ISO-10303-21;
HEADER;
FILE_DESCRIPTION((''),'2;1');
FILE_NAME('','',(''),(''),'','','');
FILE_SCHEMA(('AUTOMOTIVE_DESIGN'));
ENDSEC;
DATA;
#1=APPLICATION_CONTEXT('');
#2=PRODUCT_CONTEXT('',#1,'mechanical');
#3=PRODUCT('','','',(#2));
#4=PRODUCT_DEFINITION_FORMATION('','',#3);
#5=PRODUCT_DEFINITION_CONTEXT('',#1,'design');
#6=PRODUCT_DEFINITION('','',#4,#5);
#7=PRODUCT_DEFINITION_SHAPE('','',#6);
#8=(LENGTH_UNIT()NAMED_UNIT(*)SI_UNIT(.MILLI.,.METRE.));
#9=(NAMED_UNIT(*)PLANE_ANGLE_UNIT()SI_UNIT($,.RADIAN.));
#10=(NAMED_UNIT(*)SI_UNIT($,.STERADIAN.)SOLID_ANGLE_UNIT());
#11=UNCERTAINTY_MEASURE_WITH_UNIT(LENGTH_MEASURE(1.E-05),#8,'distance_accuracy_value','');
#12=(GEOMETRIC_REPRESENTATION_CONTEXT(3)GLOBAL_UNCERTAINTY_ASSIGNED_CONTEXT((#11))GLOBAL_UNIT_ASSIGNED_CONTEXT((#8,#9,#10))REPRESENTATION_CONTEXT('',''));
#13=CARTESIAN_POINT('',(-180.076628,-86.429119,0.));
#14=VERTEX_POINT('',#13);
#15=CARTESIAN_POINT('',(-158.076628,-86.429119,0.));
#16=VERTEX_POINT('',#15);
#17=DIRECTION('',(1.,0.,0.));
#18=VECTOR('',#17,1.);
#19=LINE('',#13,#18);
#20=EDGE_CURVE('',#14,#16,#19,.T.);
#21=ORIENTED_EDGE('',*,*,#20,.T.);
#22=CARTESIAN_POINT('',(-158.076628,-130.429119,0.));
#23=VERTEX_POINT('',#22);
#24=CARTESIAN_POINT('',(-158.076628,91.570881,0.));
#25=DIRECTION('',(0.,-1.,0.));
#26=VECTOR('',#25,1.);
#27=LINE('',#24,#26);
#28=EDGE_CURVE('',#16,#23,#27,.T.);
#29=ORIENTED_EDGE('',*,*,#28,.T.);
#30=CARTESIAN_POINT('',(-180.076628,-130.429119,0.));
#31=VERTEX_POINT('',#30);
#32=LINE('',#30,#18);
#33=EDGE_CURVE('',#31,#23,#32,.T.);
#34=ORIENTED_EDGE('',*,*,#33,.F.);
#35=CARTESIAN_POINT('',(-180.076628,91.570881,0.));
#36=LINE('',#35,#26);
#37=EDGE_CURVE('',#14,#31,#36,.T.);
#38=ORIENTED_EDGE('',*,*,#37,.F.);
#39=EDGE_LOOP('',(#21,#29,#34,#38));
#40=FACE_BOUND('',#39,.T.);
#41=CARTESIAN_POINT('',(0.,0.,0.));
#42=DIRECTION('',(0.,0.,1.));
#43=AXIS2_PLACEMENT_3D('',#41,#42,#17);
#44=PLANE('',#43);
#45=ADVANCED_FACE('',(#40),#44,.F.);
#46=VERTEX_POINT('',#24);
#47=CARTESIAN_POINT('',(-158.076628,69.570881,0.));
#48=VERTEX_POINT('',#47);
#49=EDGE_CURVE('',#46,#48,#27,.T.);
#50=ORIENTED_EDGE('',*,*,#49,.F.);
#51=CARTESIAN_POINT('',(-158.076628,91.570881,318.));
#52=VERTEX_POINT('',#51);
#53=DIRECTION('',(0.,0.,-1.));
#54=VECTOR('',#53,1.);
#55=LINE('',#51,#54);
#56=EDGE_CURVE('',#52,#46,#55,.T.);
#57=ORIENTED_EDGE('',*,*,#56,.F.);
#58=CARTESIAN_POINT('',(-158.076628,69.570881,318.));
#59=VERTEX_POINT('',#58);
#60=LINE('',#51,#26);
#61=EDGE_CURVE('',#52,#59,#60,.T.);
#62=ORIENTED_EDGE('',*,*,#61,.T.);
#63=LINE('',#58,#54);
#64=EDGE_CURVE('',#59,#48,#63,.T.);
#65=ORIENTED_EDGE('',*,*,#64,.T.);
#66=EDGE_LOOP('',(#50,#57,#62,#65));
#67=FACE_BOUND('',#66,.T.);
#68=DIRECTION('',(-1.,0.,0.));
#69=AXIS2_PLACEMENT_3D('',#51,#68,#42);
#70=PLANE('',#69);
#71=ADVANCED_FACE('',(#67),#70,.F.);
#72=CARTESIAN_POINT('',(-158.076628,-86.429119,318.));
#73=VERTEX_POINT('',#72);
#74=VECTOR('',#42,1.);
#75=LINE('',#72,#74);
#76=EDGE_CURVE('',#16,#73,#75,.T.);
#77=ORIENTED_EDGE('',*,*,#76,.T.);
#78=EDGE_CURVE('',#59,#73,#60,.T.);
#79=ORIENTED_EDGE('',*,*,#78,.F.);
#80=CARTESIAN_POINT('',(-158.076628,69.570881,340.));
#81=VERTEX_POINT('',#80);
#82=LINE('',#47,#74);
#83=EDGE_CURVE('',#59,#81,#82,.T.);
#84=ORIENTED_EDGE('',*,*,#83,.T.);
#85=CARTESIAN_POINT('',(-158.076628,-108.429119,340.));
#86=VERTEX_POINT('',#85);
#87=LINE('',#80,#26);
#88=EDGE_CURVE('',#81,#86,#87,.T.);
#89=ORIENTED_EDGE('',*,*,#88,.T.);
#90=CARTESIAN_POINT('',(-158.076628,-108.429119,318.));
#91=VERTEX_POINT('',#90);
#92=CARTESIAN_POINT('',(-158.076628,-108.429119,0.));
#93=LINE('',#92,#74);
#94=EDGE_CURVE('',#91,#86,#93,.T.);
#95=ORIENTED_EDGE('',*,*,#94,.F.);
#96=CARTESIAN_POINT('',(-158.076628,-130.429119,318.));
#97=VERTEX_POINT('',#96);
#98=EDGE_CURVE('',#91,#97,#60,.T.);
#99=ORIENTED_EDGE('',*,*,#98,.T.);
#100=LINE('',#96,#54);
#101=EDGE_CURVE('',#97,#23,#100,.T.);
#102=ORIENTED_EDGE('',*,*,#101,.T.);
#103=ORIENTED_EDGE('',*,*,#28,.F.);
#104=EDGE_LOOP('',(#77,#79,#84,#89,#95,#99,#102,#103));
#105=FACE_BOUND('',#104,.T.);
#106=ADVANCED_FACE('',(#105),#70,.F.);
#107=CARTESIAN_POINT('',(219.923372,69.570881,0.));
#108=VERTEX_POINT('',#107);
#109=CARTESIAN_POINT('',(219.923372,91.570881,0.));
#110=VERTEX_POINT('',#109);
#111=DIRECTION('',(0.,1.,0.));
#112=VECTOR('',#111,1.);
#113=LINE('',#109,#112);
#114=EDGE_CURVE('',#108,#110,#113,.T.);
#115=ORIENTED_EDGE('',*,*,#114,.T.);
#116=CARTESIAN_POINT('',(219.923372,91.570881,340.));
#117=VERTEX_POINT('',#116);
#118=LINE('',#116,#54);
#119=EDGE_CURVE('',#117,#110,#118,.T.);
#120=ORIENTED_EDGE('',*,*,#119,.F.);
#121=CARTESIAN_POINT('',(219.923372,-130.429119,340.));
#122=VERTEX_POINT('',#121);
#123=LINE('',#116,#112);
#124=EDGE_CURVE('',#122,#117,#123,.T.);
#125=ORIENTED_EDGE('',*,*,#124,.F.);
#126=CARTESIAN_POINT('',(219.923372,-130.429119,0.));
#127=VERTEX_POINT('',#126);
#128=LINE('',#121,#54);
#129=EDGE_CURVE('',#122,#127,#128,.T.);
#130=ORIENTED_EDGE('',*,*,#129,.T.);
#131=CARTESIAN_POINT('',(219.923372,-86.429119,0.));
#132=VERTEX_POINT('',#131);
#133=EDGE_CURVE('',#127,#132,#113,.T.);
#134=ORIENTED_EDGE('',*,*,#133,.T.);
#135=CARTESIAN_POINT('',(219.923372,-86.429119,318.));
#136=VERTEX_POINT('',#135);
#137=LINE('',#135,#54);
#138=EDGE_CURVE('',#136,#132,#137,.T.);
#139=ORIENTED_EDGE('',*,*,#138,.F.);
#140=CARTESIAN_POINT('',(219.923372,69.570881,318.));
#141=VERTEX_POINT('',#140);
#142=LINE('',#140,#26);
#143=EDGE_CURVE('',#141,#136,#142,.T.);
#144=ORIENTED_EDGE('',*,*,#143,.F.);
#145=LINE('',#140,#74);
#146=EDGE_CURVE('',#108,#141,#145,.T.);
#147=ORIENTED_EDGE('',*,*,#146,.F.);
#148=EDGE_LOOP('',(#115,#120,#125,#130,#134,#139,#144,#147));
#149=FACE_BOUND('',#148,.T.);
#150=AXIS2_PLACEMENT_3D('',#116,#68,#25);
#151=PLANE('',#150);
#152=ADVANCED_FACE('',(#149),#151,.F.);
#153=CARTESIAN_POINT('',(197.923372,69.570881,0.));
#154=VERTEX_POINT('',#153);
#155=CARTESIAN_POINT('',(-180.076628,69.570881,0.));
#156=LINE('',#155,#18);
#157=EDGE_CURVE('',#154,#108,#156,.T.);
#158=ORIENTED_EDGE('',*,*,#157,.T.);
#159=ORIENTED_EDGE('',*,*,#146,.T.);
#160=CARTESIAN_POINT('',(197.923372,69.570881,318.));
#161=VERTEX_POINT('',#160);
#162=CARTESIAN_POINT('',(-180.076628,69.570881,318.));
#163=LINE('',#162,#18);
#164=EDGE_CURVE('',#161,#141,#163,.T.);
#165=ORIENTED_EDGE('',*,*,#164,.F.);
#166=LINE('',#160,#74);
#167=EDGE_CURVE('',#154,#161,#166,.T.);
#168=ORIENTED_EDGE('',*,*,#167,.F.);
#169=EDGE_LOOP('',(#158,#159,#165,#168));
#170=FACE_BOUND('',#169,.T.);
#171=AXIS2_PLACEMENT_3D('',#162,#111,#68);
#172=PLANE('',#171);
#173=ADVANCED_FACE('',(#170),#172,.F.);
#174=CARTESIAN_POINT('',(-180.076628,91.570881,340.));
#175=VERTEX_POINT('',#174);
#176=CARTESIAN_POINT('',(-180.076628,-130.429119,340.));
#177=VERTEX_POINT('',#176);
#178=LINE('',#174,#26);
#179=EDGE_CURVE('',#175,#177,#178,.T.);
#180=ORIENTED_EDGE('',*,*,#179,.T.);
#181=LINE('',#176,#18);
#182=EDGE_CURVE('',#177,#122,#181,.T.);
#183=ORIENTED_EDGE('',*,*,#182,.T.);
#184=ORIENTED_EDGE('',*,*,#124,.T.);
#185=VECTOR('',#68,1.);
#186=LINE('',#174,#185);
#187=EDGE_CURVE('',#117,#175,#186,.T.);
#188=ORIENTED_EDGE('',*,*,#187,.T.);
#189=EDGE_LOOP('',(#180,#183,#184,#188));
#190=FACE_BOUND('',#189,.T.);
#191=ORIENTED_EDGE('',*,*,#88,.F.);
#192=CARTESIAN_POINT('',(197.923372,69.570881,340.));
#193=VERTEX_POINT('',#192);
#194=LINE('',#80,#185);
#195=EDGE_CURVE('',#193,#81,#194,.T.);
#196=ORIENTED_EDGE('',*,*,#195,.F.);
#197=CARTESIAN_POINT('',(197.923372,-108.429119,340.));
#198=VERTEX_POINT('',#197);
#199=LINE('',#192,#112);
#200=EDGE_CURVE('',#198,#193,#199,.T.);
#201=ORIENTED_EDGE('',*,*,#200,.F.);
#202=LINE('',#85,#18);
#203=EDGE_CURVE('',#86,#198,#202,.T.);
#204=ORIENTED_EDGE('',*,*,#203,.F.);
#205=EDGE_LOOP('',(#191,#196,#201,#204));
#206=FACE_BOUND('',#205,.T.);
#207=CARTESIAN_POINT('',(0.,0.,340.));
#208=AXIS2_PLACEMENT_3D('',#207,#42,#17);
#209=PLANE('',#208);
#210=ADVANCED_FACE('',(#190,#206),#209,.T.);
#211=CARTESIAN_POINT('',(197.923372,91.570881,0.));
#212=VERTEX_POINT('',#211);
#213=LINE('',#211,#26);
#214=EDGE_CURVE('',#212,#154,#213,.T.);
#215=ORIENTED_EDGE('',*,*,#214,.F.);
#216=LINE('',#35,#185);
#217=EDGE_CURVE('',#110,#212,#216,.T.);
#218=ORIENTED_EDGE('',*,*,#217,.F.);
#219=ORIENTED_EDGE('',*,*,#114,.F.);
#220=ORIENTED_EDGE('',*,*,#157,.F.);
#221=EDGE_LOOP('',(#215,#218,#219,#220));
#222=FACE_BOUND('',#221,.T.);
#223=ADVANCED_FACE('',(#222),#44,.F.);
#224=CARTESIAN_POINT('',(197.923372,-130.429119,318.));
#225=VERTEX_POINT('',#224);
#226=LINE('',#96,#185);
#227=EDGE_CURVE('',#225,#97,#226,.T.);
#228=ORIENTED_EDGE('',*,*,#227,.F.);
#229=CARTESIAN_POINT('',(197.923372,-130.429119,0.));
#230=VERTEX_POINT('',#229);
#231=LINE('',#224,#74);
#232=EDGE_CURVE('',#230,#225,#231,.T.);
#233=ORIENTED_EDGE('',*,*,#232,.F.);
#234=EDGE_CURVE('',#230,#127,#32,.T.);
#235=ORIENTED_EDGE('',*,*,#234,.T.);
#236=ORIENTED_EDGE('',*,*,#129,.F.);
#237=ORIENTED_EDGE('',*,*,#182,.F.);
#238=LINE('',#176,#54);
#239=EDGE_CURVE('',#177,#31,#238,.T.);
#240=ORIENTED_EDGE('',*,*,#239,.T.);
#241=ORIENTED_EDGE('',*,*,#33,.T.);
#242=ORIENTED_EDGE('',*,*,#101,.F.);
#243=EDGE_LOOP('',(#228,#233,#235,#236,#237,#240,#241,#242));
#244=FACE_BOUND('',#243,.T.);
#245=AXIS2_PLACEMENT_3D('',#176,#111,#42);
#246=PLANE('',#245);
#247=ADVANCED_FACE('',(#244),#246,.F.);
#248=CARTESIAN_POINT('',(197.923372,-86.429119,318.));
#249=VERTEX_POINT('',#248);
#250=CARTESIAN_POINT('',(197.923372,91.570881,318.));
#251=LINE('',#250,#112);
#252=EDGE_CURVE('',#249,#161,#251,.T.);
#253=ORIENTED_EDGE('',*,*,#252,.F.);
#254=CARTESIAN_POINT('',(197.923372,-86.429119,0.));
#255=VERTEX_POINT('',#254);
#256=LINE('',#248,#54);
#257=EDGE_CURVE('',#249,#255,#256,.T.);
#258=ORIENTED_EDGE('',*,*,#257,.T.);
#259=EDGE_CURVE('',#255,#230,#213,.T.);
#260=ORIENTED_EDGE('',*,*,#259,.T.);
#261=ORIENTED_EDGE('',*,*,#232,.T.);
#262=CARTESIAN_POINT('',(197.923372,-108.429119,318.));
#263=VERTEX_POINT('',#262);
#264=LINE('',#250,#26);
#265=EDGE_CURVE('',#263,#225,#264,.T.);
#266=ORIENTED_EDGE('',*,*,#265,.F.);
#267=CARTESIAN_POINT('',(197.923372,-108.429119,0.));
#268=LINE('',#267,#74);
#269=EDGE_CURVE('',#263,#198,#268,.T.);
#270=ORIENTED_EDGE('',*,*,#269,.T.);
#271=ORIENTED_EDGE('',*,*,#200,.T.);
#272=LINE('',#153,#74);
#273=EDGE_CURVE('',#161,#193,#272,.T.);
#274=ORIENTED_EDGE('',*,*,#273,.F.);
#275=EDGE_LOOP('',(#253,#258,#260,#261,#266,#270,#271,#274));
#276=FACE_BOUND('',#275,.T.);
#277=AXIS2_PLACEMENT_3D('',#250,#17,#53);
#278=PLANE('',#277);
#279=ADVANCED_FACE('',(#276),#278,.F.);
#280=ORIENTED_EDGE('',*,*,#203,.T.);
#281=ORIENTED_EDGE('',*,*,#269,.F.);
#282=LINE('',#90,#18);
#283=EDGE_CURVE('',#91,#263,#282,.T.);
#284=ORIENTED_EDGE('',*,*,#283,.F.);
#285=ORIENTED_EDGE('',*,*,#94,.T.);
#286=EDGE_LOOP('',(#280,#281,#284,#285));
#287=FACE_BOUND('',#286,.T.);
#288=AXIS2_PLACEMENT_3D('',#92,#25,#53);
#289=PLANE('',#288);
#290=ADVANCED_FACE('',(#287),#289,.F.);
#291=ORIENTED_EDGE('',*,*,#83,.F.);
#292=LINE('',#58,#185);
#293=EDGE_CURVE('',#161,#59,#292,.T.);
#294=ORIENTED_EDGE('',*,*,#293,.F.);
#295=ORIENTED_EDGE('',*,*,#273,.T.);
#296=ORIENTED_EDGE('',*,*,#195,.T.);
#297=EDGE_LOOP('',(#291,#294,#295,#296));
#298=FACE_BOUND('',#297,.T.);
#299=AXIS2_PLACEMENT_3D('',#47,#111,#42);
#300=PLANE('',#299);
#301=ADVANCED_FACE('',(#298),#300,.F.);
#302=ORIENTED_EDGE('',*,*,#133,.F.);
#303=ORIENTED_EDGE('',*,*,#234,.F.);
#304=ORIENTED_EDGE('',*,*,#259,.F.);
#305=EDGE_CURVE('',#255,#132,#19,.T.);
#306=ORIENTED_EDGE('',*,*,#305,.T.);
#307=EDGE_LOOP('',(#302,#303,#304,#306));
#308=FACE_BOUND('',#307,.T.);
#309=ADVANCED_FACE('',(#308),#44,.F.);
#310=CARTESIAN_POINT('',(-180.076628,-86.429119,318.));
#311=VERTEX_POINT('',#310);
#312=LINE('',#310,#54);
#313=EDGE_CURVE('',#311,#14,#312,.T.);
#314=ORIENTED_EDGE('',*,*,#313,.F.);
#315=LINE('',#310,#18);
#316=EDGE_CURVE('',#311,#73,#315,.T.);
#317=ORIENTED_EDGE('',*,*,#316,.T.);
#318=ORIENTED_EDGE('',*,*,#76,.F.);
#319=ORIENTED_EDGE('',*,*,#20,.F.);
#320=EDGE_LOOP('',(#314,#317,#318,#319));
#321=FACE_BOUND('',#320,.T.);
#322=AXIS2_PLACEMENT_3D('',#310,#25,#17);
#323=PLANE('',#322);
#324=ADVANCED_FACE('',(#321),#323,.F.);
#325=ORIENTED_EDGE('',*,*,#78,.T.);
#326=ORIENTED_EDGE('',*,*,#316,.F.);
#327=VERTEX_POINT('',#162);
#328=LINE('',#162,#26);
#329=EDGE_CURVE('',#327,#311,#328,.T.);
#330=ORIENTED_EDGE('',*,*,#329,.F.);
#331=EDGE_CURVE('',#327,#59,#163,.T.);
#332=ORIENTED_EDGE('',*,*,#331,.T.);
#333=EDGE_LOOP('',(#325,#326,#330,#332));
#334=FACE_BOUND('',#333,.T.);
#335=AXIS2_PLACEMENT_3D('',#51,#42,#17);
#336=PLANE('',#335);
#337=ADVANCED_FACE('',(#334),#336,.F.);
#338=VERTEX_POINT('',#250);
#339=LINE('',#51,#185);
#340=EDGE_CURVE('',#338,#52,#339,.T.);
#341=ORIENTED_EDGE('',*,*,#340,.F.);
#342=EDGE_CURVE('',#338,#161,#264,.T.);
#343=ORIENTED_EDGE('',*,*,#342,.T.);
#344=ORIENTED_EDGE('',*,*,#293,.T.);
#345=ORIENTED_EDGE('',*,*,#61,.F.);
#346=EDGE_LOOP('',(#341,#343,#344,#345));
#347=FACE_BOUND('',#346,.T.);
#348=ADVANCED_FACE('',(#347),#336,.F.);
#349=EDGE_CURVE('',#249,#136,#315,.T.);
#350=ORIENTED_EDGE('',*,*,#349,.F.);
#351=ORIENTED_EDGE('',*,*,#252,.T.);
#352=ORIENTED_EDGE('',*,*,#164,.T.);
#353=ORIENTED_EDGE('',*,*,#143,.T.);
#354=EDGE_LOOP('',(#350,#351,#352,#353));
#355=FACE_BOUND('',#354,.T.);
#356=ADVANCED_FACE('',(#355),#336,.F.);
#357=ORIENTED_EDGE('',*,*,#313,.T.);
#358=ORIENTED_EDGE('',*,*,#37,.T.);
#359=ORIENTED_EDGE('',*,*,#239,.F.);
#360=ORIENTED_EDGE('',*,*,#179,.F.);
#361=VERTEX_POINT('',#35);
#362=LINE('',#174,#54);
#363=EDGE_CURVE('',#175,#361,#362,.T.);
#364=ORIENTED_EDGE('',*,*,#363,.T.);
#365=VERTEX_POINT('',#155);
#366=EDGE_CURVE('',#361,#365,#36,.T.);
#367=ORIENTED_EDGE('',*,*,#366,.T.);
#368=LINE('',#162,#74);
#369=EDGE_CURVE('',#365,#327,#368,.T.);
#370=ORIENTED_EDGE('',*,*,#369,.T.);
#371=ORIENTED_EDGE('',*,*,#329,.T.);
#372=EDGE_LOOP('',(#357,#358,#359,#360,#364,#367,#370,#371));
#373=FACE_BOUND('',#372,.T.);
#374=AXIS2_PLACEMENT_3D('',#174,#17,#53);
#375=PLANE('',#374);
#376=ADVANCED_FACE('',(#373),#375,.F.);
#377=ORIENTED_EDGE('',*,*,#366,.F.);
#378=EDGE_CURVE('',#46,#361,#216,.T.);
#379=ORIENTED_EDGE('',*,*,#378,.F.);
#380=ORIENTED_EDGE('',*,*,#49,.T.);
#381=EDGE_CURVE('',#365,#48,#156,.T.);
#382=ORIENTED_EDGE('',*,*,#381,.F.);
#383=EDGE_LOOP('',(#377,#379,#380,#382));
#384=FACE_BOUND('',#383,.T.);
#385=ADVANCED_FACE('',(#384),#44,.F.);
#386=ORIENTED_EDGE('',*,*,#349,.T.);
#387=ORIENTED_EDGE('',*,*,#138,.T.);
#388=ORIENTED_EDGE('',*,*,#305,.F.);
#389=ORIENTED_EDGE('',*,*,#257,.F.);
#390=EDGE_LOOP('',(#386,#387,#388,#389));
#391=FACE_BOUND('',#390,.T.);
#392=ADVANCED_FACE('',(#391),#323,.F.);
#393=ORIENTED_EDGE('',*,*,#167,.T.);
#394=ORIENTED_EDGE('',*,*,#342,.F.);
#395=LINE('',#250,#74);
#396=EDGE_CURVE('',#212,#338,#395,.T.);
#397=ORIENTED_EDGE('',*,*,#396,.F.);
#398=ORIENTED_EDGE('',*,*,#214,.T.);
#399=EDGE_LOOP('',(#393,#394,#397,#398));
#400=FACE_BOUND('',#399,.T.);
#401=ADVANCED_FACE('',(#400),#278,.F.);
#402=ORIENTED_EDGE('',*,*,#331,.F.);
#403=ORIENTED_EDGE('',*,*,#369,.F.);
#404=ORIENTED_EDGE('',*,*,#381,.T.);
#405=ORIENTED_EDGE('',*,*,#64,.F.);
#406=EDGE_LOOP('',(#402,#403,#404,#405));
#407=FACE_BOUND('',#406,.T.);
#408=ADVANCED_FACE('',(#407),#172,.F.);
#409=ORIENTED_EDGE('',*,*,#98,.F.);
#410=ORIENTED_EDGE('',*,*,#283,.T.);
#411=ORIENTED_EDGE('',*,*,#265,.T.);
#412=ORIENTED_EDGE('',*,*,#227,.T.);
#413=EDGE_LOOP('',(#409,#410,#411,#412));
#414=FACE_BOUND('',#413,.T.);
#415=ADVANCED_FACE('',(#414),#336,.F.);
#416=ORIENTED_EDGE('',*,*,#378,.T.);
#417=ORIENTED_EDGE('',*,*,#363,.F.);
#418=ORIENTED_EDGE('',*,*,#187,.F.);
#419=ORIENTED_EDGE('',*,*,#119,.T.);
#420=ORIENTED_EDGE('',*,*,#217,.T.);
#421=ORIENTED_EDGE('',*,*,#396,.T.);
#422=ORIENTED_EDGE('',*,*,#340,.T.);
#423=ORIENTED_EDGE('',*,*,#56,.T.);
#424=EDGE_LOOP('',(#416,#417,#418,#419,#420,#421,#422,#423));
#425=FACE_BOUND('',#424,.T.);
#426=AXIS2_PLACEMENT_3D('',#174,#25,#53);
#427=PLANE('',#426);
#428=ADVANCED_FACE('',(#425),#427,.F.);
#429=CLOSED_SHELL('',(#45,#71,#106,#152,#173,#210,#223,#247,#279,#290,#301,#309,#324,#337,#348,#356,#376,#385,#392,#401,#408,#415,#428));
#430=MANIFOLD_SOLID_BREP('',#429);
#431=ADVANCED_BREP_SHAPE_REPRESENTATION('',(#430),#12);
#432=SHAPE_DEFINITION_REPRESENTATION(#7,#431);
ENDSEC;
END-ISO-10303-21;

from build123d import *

# Parameters (mm, degrees)
ESQUISSE1_W             = 400
ESQUISSE1_H             = 222
BOSS_EXTRU_1_DEPTH      = 340
ESQUISSE2_W             = 356
ESQUISSE2_H             = 318
ENL_V_MAT_EXTRU_1_DEPTH = 462.790308903
ESQUISSE8_W             = 318
ESQUISSE8_H             = 156
ENL_V_MAT_EXTRU_2_DEPTH = 541.935999009
ESQUISSE9_W             = 356
ESQUISSE9_H             = 178
ENL_V_MAT_EXTRU_3_DEPTH = 426.41514362


with BuildPart() as part:
    # Esquisse1 → Boss.-Extru.1 (new body)
    with BuildSketch(Plane.XY):
        with Locations((19.923371648, -19.429118774)):
            Rectangle(ESQUISSE1_W, ESQUISSE1_H)
    extrude(amount=BOSS_EXTRU_1_DEPTH)

    # Esquisse2 → Enlèv. mat.-Extru.1 (cut, through all)
    with BuildSketch(Plane.XZ.offset(130.429118774)):
        with Locations((19.923371648, 159)):
            Rectangle(ESQUISSE2_W, ESQUISSE2_H)
    extrude(amount=-ENL_V_MAT_EXTRU_1_DEPTH, mode=Mode.SUBTRACT)

    # Esquisse8 → Enlèv. mat.-Extru.2 (cut, through all)
    with BuildSketch(Plane(origin=(219.923371648, 0, 0), x_dir=(0, 0, -1), z_dir=(1, 0, 0))):
        with Locations((-159, -8.429118774)):
            Rectangle(ESQUISSE8_W, ESQUISSE8_H)
    extrude(amount=-ENL_V_MAT_EXTRU_2_DEPTH, mode=Mode.SUBTRACT)

    # Esquisse9 → Enlèv. mat.-Extru.3 (cut, through all)
    with BuildSketch(Plane.XY.offset(340)):
        with Locations((19.923371648, -19.429118774)):
            Rectangle(ESQUISSE9_W, ESQUISSE9_H)
    extrude(amount=-ENL_V_MAT_EXTRU_3_DEPTH, mode=Mode.SUBTRACT)


solid = part.part
